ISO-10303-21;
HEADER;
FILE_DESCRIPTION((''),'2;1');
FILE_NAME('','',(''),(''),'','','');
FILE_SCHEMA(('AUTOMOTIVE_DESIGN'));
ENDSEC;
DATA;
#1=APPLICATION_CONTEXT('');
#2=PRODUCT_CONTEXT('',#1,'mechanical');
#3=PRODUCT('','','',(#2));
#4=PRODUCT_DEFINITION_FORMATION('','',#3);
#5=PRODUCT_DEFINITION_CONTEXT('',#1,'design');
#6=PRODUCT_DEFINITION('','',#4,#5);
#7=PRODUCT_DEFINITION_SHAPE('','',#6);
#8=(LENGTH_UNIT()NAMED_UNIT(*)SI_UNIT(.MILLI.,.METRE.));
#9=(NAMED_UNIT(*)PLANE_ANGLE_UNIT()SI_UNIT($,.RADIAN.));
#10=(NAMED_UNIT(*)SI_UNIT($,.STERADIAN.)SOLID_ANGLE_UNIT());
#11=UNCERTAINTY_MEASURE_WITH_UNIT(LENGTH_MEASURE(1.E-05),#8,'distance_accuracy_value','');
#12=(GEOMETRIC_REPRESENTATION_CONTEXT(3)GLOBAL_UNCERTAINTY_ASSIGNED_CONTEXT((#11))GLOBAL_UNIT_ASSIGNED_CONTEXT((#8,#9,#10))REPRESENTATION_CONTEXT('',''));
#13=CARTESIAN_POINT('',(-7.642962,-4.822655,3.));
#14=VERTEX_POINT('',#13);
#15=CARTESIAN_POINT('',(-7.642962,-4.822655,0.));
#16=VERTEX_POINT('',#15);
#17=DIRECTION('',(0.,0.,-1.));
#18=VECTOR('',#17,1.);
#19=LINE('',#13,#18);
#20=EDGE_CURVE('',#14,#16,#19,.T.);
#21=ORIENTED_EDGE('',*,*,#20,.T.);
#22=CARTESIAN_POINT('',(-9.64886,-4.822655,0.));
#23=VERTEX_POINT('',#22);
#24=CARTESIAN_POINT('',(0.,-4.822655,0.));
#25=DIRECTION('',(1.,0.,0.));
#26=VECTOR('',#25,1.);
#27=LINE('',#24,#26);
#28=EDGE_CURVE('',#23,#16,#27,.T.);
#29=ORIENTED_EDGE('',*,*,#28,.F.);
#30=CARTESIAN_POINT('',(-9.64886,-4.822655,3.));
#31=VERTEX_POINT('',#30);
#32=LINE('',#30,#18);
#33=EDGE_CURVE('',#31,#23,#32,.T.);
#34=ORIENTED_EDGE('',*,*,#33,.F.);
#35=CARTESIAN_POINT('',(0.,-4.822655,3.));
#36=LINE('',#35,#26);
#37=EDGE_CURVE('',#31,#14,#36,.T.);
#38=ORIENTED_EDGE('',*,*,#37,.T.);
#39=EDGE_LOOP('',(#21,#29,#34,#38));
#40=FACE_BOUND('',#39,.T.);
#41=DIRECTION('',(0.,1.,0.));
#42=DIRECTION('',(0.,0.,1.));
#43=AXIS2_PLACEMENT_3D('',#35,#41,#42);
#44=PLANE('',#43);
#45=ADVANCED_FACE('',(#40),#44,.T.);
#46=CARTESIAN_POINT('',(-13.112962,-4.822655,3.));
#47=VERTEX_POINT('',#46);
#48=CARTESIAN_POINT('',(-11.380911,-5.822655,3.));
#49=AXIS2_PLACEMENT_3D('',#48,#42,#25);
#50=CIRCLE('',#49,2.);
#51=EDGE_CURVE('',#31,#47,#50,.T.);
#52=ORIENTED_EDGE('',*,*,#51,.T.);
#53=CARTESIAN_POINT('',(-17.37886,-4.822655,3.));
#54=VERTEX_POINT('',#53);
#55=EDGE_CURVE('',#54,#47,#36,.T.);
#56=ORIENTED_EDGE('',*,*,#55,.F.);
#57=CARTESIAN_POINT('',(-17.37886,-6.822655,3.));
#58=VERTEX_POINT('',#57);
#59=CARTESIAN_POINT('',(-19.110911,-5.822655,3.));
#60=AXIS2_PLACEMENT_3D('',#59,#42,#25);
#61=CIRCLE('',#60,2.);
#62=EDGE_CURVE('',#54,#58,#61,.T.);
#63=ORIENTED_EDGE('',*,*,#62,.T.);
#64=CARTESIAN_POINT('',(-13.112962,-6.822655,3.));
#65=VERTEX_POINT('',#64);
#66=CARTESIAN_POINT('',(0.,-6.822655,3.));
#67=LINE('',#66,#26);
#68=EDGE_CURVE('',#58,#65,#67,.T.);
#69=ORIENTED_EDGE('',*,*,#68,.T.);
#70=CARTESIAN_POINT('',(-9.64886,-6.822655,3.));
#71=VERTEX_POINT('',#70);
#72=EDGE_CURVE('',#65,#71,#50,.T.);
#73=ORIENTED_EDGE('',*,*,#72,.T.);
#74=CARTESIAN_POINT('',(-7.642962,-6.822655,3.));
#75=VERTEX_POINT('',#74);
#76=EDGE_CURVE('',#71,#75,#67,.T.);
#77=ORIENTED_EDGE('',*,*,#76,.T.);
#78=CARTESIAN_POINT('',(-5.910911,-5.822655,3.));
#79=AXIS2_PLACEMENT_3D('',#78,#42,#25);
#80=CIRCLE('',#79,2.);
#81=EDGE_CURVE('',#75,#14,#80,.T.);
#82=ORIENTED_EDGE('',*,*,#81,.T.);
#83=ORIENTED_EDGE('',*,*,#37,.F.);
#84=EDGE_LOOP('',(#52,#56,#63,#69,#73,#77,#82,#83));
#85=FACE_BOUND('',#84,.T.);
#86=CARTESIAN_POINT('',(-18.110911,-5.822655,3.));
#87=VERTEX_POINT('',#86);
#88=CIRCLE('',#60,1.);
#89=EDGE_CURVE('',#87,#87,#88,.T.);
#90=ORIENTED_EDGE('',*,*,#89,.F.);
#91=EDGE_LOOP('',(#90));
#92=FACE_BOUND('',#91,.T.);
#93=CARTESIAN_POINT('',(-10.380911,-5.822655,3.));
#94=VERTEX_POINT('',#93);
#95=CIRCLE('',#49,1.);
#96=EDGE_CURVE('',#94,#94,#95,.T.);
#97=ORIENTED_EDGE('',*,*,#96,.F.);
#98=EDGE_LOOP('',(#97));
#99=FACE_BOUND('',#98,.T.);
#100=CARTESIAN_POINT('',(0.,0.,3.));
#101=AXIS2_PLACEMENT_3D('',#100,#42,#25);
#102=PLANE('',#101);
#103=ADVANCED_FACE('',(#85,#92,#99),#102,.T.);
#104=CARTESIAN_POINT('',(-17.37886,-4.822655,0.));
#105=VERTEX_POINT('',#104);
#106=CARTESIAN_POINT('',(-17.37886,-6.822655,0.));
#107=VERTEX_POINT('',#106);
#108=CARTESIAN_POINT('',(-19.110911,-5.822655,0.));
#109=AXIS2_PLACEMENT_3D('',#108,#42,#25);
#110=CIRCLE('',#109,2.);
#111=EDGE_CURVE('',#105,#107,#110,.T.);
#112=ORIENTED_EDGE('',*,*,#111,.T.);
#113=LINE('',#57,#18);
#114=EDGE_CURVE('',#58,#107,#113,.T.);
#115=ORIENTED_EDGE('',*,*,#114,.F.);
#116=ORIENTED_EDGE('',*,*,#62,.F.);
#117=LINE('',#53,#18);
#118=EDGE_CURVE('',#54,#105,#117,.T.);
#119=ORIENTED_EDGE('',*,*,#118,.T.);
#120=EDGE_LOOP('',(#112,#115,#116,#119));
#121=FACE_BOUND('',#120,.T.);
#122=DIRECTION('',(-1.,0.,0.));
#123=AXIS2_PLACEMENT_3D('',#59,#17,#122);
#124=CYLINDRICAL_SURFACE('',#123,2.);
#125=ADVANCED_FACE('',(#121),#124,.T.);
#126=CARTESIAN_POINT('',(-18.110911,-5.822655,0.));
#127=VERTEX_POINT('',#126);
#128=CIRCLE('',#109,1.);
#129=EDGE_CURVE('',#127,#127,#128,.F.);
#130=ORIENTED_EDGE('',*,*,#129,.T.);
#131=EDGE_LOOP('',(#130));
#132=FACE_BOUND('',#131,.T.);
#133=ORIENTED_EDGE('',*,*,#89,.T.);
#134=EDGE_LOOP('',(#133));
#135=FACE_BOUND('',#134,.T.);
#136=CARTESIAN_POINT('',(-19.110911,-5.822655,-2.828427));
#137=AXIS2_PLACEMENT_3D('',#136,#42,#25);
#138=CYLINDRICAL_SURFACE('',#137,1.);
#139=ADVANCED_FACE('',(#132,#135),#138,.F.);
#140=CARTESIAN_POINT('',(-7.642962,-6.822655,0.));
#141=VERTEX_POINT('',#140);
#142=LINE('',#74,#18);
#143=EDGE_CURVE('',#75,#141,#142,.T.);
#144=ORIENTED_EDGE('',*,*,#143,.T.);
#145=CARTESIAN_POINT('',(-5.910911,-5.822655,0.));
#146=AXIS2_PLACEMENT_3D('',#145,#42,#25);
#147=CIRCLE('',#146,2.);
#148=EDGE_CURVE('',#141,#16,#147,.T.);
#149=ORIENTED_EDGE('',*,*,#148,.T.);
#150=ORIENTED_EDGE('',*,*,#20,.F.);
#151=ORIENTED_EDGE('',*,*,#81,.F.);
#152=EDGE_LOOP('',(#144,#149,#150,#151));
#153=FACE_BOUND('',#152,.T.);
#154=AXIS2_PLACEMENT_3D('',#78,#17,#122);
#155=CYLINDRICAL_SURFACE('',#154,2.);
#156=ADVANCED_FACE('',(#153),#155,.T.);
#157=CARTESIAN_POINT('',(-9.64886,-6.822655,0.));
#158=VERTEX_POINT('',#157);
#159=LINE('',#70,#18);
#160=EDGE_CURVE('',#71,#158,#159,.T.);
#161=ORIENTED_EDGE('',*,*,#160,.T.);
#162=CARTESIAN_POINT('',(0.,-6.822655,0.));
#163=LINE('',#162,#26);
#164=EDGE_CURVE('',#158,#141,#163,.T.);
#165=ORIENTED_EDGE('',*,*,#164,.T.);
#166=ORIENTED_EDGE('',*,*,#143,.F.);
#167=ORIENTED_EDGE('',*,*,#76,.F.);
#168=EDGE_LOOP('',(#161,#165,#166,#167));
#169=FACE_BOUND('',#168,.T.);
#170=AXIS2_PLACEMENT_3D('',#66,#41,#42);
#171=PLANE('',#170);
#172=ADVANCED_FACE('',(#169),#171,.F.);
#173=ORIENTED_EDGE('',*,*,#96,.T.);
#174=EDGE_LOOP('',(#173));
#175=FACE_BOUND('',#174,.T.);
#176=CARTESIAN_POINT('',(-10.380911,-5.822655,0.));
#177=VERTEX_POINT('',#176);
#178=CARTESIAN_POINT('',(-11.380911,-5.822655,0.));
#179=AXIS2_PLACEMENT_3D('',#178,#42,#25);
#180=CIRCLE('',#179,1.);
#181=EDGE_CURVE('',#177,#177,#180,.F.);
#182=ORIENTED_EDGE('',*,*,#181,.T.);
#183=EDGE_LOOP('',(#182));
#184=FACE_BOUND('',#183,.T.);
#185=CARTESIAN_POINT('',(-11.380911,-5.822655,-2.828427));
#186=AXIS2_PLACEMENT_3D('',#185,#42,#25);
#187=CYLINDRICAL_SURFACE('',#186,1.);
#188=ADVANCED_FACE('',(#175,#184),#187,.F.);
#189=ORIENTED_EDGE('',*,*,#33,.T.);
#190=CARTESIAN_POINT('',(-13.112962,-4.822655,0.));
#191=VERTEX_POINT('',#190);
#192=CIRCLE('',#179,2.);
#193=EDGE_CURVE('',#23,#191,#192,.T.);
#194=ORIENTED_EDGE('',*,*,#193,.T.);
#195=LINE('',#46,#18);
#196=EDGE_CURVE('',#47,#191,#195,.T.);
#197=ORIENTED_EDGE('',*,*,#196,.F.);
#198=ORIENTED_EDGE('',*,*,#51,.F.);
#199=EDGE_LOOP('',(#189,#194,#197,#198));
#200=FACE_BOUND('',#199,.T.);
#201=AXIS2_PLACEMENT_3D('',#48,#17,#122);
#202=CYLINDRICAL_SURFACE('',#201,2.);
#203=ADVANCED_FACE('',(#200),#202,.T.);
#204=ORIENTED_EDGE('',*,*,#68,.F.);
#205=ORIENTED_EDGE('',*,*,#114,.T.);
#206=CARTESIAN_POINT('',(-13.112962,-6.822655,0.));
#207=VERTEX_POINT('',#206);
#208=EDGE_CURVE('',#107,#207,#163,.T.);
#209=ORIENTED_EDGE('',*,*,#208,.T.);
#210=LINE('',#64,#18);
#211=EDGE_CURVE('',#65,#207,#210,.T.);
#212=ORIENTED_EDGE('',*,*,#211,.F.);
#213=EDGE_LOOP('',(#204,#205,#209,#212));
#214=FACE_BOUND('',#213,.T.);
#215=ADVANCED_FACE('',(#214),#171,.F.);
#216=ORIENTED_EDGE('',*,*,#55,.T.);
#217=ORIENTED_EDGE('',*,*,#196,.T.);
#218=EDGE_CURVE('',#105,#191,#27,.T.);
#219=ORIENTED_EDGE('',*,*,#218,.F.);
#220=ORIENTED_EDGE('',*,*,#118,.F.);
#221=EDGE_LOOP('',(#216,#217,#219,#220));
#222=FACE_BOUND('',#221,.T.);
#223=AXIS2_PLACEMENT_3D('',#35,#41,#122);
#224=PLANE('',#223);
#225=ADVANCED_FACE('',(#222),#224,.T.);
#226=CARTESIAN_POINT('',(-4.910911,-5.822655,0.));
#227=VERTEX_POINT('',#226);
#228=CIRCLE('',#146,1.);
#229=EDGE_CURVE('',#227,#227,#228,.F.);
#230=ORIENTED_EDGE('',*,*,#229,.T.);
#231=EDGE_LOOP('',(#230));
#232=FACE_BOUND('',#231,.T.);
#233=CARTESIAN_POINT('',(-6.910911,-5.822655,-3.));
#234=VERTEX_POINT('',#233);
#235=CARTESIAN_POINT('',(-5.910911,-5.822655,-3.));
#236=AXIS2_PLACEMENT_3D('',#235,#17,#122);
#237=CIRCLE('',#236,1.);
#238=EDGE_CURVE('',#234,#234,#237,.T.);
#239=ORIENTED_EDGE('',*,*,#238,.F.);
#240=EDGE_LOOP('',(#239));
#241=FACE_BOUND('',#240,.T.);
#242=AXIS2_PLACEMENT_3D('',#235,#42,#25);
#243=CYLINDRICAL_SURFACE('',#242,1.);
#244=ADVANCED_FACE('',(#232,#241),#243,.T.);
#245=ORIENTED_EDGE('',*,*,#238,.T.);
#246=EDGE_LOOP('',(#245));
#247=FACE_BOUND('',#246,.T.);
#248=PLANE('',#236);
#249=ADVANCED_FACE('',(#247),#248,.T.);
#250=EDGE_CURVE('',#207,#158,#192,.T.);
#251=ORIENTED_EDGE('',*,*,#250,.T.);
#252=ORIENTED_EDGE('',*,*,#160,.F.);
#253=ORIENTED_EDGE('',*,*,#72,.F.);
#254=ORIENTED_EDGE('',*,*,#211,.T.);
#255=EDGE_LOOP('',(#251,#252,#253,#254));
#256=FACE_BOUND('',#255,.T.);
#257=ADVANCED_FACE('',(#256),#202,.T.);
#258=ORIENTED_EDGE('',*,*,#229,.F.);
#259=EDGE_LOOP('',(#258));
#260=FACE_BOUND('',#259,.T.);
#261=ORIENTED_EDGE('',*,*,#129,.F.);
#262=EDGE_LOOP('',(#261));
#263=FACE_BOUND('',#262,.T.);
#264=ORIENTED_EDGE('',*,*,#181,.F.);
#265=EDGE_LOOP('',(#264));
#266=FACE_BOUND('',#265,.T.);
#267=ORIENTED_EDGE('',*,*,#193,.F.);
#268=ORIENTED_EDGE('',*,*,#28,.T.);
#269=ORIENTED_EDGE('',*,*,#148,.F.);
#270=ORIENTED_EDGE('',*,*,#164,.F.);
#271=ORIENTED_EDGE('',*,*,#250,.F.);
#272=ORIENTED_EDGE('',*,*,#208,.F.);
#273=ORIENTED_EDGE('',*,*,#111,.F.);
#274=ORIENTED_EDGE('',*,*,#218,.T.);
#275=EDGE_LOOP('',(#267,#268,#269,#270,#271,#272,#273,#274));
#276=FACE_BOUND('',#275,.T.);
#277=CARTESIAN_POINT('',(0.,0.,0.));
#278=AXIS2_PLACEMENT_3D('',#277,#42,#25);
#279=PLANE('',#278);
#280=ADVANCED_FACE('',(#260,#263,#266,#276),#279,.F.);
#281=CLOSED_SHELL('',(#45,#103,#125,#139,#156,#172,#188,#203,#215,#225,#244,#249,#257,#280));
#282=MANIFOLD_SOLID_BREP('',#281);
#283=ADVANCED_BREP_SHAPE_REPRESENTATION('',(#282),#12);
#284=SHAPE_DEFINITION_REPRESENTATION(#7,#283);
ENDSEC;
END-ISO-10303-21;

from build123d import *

# Parameters (mm, degrees)
BOSS_EXTRUDE1_DEPTH = 3
SKETCH3_R           = 1
CUT_EXTRUDE1_DEPTH  = 3
SKETCH4_R           = 1
BOSS_EXTRUDE2_DEPTH = 3


with BuildPart() as part:
    # Sketch2 → Boss-Extrude1 (new body)
    with BuildSketch(Plane.XY):
        with BuildLine():
            Line((-17.378860002, -4.822654682), (-13.112961617, -4.822654682))
            ThreePointArc((-13.112961617, -4.822654682), (-11.380910809, -3.822654682), (-9.648860002, -4.822654682))
            Line((-9.648860002, -4.822654682), (-7.642961617, -4.822654682))
            ThreePointArc((-7.642961617, -4.822654682), (-3.910910809, -5.822654682), (-7.642961617, -6.822654682))
            Line((-7.642961617, -6.822654682), (-9.648860002, -6.822654682))
            ThreePointArc((-9.648860002, -6.822654682), (-11.380910809, -7.822654682), (-13.112961617, -6.822654682))
            Line((-13.112961617, -6.822654682), (-17.378860002, -6.822654682))
            ThreePointArc((-17.378860002, -6.822654682), (-21.110910809, -5.822654682), (-17.378860002, -4.822654682))
        make_face()
    extrude(amount=BOSS_EXTRUDE1_DEPTH)

    # Sketch3 → Cut-Extrude1 (cut)
    with BuildSketch(Plane.XY.offset(3)):
        with Locations((-11.380910809, -5.822654682)):
            Circle(SKETCH3_R)
        with Locations((-19.110910809, -5.822654682)):
            Circle(SKETCH3_R)
    extrude(amount=-CUT_EXTRUDE1_DEPTH, mode=Mode.SUBTRACT)

    # Sketch4 → Boss-Extrude2 (add)
    with BuildSketch(Plane(origin=(0, 0, 0), x_dir=(-1, 0, 0), z_dir=(0, 0, -1))):
        with Locations((5.910910809, -5.822654682)):
            Circle(SKETCH4_R)
    extrude(amount=BOSS_EXTRUDE2_DEPTH)


solid = part.part
